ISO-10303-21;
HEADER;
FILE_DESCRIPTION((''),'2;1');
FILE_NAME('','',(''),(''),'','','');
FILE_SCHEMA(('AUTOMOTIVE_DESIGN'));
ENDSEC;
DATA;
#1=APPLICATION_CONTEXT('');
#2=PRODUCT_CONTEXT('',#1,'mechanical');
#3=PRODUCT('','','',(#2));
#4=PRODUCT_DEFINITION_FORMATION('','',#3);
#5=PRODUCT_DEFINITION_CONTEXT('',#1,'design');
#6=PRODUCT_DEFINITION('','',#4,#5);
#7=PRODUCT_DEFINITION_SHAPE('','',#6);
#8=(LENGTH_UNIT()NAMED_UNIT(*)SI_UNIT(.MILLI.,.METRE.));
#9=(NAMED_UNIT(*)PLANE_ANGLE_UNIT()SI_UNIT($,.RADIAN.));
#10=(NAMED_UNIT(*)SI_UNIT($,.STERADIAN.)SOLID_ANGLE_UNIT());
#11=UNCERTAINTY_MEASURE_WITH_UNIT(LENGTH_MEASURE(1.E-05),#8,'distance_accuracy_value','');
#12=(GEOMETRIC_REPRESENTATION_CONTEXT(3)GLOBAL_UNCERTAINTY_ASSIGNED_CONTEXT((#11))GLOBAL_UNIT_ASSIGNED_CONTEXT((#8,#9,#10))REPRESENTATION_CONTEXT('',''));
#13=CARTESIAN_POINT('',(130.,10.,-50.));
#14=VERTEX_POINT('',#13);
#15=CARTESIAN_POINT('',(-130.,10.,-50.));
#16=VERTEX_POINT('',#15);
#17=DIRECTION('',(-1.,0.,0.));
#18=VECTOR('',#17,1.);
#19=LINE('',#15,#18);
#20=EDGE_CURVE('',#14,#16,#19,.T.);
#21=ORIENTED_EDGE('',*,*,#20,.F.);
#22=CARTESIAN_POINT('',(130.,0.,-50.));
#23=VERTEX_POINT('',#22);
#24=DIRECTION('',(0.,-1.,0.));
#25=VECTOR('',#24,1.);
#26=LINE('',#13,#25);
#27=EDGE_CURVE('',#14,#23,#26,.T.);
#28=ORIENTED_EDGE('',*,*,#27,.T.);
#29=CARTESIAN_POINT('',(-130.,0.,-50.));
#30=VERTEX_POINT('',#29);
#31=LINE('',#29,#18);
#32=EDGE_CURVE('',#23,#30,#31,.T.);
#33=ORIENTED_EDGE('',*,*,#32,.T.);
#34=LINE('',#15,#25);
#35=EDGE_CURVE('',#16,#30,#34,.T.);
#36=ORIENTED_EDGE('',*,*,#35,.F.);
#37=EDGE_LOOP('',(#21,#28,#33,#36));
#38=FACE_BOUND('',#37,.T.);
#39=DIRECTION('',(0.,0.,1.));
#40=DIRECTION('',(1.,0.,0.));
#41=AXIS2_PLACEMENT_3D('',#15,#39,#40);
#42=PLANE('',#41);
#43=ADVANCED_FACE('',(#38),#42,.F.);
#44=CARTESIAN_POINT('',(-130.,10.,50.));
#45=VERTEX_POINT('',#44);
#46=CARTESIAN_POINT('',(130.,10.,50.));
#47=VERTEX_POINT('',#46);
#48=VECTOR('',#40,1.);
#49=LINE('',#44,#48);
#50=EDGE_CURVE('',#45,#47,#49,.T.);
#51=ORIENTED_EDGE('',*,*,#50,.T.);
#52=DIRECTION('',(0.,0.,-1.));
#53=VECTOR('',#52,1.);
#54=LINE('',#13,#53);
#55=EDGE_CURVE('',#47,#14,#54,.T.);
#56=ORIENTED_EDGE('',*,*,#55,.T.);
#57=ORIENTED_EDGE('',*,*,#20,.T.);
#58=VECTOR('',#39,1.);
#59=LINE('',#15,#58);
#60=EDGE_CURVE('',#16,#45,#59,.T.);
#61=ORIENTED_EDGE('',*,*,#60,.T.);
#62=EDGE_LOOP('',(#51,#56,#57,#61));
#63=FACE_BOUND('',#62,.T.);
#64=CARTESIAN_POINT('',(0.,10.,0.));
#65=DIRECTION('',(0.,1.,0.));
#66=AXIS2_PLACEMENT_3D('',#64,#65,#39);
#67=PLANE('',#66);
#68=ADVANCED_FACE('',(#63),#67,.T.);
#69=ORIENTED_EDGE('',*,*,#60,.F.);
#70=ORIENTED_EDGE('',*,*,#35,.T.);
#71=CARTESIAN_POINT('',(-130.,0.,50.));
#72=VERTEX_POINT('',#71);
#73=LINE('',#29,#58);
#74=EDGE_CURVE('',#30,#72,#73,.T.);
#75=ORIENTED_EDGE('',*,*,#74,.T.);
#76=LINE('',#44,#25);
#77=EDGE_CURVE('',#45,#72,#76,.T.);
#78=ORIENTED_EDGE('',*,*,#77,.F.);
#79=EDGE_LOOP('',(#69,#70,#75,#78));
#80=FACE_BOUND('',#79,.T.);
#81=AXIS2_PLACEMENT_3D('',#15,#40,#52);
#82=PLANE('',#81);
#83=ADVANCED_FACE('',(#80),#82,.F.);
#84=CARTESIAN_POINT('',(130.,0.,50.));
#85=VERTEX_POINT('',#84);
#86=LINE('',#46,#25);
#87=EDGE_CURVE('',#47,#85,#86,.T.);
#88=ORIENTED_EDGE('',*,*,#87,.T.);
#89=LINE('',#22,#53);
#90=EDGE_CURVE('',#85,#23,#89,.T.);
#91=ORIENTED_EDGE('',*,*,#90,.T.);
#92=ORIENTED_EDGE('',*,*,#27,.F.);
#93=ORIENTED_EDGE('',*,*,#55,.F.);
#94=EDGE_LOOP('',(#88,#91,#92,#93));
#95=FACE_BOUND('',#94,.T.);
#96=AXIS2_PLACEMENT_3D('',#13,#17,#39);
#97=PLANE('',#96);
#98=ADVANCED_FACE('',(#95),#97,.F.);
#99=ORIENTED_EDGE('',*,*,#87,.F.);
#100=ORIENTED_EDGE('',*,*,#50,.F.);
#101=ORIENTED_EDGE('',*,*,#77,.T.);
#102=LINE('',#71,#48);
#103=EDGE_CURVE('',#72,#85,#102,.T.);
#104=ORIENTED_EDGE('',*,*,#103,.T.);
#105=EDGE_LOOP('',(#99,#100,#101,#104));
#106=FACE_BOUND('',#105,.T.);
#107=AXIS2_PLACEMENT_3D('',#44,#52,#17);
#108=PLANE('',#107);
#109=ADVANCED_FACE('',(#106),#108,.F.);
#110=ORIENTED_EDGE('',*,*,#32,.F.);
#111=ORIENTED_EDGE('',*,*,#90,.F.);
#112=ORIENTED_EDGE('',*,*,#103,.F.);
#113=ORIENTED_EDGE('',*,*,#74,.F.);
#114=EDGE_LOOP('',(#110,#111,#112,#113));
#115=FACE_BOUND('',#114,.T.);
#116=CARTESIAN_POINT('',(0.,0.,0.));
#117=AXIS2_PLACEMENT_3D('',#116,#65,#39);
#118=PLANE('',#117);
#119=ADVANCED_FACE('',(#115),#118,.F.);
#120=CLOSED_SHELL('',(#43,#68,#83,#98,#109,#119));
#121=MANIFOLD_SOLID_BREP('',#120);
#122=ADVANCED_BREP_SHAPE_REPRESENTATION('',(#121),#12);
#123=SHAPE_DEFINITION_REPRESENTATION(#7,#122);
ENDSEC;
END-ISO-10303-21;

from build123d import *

# Parameters (mm, degrees)
SKETCH1_W           = 260
SKETCH1_H           = 100
BOSS_EXTRUDE1_DEPTH = 10


with BuildPart() as part:
    # Sketch1 → Boss-Extrude1 (new body)
    with BuildSketch(Plane(origin=(0, 0, 0), x_dir=(1, 0, 0), z_dir=(0, 1, 0))):
        Rectangle(SKETCH1_W, SKETCH1_H)
    extrude(amount=BOSS_EXTRUDE1_DEPTH)


solid = part.part
